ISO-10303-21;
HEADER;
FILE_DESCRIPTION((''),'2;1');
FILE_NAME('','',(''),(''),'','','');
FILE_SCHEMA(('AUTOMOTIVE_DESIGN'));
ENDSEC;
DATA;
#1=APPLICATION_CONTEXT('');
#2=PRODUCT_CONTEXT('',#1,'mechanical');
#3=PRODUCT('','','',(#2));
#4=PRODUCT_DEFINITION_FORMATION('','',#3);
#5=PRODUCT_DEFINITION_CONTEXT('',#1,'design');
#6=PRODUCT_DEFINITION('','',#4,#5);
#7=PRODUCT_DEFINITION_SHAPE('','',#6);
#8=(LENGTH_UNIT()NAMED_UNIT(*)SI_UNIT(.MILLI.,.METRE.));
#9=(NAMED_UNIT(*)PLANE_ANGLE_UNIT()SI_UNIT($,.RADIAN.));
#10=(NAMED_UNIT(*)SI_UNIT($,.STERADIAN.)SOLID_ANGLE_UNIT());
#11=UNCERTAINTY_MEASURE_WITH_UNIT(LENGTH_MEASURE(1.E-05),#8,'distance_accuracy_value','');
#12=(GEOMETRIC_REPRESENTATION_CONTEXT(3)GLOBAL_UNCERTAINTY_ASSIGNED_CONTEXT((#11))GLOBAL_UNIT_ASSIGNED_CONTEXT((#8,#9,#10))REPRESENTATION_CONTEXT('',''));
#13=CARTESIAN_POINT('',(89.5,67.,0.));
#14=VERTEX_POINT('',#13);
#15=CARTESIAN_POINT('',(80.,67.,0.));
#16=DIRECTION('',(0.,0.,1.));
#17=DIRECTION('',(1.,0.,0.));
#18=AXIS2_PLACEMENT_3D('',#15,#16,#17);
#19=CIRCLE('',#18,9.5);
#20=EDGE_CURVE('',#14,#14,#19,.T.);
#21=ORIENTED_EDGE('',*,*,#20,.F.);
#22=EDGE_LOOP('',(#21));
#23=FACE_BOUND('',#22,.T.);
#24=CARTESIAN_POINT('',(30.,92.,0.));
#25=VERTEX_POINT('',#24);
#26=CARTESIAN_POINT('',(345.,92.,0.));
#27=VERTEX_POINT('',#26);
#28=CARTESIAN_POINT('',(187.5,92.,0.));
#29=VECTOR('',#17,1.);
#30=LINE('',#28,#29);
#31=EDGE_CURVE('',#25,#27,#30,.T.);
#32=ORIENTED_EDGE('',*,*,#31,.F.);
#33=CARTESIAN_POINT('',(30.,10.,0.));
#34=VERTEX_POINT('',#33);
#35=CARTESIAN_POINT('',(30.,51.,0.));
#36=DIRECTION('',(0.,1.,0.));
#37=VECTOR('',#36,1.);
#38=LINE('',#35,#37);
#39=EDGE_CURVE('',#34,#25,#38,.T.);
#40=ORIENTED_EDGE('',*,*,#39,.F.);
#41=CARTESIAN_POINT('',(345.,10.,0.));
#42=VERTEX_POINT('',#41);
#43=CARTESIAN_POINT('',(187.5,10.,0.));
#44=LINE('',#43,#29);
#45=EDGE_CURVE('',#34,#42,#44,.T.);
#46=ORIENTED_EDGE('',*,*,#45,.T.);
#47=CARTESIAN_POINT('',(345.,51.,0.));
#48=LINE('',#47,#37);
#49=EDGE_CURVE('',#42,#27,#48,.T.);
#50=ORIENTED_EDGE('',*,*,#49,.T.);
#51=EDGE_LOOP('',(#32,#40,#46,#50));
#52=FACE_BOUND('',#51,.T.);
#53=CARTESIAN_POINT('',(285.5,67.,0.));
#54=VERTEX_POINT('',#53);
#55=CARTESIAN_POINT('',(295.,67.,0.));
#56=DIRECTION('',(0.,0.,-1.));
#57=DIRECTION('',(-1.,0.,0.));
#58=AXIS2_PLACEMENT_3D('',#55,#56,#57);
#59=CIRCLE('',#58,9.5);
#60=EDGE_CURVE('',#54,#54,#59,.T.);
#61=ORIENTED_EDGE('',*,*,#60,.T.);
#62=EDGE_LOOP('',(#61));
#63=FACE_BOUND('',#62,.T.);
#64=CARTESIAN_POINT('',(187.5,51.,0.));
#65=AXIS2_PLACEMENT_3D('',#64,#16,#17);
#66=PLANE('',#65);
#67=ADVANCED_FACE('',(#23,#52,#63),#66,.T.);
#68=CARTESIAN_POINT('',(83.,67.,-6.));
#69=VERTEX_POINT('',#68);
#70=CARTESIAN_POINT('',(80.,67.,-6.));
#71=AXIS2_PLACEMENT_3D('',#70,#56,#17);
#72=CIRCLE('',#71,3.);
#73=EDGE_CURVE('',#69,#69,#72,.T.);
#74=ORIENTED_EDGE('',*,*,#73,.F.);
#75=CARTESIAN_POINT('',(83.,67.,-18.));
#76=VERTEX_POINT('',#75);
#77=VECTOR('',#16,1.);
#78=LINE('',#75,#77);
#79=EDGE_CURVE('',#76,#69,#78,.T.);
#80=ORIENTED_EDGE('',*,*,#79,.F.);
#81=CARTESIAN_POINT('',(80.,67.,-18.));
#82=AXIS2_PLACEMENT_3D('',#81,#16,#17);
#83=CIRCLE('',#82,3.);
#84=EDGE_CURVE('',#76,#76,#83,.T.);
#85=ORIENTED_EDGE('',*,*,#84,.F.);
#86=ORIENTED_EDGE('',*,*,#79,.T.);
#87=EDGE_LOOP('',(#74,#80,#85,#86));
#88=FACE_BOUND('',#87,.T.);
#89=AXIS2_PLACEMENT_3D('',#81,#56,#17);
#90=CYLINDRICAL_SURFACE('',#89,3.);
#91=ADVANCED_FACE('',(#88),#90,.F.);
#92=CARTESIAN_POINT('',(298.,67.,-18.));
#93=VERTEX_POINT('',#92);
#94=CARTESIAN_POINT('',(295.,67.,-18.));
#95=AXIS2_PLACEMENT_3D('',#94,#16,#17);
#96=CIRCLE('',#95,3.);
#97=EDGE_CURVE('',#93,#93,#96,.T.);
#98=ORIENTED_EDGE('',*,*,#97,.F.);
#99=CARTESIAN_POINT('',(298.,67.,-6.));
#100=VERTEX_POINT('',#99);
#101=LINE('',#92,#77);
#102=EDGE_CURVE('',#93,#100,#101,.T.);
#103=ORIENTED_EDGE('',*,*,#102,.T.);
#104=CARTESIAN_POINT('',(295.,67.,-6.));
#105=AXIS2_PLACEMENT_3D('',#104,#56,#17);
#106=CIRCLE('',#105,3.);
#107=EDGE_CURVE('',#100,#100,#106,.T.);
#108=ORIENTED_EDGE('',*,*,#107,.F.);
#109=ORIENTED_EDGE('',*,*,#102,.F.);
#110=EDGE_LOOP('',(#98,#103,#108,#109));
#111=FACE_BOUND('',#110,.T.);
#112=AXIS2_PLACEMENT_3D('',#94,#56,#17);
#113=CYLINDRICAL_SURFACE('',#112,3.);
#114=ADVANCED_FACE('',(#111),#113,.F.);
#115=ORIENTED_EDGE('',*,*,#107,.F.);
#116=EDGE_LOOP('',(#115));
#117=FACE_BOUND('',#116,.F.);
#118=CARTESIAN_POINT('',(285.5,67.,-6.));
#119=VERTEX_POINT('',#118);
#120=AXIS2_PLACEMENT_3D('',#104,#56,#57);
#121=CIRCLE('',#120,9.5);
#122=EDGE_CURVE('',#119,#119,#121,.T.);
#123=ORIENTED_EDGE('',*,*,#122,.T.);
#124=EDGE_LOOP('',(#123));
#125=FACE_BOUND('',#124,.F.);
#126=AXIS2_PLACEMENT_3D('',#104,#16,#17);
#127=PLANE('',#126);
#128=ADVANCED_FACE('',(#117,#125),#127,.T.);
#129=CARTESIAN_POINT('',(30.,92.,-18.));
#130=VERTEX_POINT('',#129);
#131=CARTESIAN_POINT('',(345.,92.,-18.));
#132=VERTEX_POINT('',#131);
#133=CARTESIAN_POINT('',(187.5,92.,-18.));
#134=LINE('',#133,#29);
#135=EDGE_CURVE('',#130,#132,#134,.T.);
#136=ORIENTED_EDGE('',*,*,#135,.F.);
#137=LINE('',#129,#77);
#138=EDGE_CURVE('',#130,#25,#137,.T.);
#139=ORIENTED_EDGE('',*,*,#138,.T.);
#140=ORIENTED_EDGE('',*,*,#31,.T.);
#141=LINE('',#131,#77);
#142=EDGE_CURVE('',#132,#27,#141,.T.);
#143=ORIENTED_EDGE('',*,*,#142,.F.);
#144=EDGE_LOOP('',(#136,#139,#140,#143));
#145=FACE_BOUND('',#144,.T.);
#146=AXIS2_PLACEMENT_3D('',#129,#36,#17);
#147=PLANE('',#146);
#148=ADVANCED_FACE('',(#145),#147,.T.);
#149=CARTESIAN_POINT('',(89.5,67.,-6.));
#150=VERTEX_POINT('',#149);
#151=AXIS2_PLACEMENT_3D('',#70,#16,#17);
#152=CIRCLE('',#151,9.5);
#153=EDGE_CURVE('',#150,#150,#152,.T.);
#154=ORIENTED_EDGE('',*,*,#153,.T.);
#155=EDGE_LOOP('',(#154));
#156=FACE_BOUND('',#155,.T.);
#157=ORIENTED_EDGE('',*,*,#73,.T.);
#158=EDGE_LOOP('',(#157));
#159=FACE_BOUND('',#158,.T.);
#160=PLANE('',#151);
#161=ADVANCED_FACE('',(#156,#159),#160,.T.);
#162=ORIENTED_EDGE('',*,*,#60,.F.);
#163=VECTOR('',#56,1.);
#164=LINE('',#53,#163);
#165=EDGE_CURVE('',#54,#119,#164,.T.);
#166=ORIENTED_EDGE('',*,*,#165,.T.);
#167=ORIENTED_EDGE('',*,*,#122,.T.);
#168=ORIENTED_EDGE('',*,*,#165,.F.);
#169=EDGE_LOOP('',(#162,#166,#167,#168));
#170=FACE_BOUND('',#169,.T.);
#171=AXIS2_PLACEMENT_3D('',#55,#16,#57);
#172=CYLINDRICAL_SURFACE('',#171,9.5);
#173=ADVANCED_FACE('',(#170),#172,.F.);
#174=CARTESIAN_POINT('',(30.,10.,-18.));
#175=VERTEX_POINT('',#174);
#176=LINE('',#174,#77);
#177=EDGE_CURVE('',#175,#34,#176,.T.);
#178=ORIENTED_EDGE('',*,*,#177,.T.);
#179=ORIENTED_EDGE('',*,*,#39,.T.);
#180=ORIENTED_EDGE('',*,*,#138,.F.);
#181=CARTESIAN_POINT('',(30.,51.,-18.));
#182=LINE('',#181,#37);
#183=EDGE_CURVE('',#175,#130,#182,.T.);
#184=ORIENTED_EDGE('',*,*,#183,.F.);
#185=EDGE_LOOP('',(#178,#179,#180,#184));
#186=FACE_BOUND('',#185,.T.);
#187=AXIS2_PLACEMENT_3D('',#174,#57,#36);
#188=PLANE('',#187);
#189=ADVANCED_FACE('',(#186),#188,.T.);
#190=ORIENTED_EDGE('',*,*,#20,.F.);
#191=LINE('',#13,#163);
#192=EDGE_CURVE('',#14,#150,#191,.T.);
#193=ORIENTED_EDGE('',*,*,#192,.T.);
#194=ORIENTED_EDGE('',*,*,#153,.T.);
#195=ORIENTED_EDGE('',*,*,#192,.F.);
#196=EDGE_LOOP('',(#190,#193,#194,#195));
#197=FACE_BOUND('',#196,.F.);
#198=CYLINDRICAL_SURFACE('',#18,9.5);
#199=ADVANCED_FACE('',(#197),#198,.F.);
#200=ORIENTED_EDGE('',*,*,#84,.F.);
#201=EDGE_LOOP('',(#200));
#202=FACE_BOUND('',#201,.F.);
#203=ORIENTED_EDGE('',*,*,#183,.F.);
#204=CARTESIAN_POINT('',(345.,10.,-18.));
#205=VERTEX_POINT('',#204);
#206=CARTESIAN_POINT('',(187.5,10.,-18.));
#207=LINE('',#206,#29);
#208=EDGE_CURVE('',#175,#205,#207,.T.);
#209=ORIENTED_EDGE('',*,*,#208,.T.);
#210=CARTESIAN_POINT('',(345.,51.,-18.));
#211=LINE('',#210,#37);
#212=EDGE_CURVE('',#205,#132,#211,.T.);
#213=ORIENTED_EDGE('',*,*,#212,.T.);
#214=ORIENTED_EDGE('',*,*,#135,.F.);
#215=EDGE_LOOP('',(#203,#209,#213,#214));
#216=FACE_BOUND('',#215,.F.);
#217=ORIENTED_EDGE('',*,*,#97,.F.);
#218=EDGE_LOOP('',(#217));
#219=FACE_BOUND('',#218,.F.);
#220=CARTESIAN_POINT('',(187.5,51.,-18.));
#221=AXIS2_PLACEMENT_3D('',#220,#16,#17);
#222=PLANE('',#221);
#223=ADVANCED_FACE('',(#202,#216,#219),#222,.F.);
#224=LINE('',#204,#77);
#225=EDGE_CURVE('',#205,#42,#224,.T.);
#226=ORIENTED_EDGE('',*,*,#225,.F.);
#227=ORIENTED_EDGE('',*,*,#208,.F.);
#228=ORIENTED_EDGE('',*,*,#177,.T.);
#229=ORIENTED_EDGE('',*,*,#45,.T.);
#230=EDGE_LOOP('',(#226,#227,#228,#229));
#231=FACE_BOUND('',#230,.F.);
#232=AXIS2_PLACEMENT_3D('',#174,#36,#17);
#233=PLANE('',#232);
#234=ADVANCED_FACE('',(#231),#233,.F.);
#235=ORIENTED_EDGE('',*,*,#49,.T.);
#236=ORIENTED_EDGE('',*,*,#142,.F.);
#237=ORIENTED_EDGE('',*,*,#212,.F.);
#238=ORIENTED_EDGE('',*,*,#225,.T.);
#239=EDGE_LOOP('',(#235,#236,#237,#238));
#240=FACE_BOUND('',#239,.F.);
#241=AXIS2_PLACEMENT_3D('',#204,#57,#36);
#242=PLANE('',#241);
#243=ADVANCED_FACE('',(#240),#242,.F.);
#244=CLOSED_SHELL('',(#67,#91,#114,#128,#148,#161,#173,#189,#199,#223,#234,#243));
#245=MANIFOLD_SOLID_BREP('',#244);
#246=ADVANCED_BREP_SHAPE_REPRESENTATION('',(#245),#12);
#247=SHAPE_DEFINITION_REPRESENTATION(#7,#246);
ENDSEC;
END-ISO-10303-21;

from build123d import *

# Parameters (mm, degrees)
SKETCH002_W  = 315
SKETCH002_H  = 82
SKETCH002_R  = 3
PAD002_DEPTH = 18
SKETCH003_R  = 9.5
POCKET_DEPTH = 6


with BuildPart() as part:
    # Sketch002 → Pad002 (new body)
    with BuildSketch(Plane.XY):
        with Locations((0, 41)):
            Rectangle(SKETCH002_W, SKETCH002_H)
        with Locations((-107.5, 57)):
            Circle(SKETCH002_R, mode=Mode.SUBTRACT)
        with Locations((107.5, 57)):
            Circle(SKETCH002_R, mode=Mode.SUBTRACT)
    extrude(amount=PAD002_DEPTH)

    # Sketch003 (on Face8 of Pad002) → Pocket (cut)
    with BuildSketch(Plane.XY.offset(18)):
        with Locations((-107.5, 57)):
            Circle(SKETCH003_R)
    pocket = extrude(amount=-POCKET_DEPTH, mode=Mode.SUBTRACT)

    # Mirrored: Pocket across Sketch003 V_Axis
    add(pocket.mirror(Plane(origin=(0, 0, 18), x_dir=(0, 0, 1), z_dir=(1, 0, 0))), mode=Mode.SUBTRACT)


with BuildPart() as part_1:
    # Clone placement: moved
    add(part.part.moved(Location((187.5, 10, -18))))


solid = part_1.part
